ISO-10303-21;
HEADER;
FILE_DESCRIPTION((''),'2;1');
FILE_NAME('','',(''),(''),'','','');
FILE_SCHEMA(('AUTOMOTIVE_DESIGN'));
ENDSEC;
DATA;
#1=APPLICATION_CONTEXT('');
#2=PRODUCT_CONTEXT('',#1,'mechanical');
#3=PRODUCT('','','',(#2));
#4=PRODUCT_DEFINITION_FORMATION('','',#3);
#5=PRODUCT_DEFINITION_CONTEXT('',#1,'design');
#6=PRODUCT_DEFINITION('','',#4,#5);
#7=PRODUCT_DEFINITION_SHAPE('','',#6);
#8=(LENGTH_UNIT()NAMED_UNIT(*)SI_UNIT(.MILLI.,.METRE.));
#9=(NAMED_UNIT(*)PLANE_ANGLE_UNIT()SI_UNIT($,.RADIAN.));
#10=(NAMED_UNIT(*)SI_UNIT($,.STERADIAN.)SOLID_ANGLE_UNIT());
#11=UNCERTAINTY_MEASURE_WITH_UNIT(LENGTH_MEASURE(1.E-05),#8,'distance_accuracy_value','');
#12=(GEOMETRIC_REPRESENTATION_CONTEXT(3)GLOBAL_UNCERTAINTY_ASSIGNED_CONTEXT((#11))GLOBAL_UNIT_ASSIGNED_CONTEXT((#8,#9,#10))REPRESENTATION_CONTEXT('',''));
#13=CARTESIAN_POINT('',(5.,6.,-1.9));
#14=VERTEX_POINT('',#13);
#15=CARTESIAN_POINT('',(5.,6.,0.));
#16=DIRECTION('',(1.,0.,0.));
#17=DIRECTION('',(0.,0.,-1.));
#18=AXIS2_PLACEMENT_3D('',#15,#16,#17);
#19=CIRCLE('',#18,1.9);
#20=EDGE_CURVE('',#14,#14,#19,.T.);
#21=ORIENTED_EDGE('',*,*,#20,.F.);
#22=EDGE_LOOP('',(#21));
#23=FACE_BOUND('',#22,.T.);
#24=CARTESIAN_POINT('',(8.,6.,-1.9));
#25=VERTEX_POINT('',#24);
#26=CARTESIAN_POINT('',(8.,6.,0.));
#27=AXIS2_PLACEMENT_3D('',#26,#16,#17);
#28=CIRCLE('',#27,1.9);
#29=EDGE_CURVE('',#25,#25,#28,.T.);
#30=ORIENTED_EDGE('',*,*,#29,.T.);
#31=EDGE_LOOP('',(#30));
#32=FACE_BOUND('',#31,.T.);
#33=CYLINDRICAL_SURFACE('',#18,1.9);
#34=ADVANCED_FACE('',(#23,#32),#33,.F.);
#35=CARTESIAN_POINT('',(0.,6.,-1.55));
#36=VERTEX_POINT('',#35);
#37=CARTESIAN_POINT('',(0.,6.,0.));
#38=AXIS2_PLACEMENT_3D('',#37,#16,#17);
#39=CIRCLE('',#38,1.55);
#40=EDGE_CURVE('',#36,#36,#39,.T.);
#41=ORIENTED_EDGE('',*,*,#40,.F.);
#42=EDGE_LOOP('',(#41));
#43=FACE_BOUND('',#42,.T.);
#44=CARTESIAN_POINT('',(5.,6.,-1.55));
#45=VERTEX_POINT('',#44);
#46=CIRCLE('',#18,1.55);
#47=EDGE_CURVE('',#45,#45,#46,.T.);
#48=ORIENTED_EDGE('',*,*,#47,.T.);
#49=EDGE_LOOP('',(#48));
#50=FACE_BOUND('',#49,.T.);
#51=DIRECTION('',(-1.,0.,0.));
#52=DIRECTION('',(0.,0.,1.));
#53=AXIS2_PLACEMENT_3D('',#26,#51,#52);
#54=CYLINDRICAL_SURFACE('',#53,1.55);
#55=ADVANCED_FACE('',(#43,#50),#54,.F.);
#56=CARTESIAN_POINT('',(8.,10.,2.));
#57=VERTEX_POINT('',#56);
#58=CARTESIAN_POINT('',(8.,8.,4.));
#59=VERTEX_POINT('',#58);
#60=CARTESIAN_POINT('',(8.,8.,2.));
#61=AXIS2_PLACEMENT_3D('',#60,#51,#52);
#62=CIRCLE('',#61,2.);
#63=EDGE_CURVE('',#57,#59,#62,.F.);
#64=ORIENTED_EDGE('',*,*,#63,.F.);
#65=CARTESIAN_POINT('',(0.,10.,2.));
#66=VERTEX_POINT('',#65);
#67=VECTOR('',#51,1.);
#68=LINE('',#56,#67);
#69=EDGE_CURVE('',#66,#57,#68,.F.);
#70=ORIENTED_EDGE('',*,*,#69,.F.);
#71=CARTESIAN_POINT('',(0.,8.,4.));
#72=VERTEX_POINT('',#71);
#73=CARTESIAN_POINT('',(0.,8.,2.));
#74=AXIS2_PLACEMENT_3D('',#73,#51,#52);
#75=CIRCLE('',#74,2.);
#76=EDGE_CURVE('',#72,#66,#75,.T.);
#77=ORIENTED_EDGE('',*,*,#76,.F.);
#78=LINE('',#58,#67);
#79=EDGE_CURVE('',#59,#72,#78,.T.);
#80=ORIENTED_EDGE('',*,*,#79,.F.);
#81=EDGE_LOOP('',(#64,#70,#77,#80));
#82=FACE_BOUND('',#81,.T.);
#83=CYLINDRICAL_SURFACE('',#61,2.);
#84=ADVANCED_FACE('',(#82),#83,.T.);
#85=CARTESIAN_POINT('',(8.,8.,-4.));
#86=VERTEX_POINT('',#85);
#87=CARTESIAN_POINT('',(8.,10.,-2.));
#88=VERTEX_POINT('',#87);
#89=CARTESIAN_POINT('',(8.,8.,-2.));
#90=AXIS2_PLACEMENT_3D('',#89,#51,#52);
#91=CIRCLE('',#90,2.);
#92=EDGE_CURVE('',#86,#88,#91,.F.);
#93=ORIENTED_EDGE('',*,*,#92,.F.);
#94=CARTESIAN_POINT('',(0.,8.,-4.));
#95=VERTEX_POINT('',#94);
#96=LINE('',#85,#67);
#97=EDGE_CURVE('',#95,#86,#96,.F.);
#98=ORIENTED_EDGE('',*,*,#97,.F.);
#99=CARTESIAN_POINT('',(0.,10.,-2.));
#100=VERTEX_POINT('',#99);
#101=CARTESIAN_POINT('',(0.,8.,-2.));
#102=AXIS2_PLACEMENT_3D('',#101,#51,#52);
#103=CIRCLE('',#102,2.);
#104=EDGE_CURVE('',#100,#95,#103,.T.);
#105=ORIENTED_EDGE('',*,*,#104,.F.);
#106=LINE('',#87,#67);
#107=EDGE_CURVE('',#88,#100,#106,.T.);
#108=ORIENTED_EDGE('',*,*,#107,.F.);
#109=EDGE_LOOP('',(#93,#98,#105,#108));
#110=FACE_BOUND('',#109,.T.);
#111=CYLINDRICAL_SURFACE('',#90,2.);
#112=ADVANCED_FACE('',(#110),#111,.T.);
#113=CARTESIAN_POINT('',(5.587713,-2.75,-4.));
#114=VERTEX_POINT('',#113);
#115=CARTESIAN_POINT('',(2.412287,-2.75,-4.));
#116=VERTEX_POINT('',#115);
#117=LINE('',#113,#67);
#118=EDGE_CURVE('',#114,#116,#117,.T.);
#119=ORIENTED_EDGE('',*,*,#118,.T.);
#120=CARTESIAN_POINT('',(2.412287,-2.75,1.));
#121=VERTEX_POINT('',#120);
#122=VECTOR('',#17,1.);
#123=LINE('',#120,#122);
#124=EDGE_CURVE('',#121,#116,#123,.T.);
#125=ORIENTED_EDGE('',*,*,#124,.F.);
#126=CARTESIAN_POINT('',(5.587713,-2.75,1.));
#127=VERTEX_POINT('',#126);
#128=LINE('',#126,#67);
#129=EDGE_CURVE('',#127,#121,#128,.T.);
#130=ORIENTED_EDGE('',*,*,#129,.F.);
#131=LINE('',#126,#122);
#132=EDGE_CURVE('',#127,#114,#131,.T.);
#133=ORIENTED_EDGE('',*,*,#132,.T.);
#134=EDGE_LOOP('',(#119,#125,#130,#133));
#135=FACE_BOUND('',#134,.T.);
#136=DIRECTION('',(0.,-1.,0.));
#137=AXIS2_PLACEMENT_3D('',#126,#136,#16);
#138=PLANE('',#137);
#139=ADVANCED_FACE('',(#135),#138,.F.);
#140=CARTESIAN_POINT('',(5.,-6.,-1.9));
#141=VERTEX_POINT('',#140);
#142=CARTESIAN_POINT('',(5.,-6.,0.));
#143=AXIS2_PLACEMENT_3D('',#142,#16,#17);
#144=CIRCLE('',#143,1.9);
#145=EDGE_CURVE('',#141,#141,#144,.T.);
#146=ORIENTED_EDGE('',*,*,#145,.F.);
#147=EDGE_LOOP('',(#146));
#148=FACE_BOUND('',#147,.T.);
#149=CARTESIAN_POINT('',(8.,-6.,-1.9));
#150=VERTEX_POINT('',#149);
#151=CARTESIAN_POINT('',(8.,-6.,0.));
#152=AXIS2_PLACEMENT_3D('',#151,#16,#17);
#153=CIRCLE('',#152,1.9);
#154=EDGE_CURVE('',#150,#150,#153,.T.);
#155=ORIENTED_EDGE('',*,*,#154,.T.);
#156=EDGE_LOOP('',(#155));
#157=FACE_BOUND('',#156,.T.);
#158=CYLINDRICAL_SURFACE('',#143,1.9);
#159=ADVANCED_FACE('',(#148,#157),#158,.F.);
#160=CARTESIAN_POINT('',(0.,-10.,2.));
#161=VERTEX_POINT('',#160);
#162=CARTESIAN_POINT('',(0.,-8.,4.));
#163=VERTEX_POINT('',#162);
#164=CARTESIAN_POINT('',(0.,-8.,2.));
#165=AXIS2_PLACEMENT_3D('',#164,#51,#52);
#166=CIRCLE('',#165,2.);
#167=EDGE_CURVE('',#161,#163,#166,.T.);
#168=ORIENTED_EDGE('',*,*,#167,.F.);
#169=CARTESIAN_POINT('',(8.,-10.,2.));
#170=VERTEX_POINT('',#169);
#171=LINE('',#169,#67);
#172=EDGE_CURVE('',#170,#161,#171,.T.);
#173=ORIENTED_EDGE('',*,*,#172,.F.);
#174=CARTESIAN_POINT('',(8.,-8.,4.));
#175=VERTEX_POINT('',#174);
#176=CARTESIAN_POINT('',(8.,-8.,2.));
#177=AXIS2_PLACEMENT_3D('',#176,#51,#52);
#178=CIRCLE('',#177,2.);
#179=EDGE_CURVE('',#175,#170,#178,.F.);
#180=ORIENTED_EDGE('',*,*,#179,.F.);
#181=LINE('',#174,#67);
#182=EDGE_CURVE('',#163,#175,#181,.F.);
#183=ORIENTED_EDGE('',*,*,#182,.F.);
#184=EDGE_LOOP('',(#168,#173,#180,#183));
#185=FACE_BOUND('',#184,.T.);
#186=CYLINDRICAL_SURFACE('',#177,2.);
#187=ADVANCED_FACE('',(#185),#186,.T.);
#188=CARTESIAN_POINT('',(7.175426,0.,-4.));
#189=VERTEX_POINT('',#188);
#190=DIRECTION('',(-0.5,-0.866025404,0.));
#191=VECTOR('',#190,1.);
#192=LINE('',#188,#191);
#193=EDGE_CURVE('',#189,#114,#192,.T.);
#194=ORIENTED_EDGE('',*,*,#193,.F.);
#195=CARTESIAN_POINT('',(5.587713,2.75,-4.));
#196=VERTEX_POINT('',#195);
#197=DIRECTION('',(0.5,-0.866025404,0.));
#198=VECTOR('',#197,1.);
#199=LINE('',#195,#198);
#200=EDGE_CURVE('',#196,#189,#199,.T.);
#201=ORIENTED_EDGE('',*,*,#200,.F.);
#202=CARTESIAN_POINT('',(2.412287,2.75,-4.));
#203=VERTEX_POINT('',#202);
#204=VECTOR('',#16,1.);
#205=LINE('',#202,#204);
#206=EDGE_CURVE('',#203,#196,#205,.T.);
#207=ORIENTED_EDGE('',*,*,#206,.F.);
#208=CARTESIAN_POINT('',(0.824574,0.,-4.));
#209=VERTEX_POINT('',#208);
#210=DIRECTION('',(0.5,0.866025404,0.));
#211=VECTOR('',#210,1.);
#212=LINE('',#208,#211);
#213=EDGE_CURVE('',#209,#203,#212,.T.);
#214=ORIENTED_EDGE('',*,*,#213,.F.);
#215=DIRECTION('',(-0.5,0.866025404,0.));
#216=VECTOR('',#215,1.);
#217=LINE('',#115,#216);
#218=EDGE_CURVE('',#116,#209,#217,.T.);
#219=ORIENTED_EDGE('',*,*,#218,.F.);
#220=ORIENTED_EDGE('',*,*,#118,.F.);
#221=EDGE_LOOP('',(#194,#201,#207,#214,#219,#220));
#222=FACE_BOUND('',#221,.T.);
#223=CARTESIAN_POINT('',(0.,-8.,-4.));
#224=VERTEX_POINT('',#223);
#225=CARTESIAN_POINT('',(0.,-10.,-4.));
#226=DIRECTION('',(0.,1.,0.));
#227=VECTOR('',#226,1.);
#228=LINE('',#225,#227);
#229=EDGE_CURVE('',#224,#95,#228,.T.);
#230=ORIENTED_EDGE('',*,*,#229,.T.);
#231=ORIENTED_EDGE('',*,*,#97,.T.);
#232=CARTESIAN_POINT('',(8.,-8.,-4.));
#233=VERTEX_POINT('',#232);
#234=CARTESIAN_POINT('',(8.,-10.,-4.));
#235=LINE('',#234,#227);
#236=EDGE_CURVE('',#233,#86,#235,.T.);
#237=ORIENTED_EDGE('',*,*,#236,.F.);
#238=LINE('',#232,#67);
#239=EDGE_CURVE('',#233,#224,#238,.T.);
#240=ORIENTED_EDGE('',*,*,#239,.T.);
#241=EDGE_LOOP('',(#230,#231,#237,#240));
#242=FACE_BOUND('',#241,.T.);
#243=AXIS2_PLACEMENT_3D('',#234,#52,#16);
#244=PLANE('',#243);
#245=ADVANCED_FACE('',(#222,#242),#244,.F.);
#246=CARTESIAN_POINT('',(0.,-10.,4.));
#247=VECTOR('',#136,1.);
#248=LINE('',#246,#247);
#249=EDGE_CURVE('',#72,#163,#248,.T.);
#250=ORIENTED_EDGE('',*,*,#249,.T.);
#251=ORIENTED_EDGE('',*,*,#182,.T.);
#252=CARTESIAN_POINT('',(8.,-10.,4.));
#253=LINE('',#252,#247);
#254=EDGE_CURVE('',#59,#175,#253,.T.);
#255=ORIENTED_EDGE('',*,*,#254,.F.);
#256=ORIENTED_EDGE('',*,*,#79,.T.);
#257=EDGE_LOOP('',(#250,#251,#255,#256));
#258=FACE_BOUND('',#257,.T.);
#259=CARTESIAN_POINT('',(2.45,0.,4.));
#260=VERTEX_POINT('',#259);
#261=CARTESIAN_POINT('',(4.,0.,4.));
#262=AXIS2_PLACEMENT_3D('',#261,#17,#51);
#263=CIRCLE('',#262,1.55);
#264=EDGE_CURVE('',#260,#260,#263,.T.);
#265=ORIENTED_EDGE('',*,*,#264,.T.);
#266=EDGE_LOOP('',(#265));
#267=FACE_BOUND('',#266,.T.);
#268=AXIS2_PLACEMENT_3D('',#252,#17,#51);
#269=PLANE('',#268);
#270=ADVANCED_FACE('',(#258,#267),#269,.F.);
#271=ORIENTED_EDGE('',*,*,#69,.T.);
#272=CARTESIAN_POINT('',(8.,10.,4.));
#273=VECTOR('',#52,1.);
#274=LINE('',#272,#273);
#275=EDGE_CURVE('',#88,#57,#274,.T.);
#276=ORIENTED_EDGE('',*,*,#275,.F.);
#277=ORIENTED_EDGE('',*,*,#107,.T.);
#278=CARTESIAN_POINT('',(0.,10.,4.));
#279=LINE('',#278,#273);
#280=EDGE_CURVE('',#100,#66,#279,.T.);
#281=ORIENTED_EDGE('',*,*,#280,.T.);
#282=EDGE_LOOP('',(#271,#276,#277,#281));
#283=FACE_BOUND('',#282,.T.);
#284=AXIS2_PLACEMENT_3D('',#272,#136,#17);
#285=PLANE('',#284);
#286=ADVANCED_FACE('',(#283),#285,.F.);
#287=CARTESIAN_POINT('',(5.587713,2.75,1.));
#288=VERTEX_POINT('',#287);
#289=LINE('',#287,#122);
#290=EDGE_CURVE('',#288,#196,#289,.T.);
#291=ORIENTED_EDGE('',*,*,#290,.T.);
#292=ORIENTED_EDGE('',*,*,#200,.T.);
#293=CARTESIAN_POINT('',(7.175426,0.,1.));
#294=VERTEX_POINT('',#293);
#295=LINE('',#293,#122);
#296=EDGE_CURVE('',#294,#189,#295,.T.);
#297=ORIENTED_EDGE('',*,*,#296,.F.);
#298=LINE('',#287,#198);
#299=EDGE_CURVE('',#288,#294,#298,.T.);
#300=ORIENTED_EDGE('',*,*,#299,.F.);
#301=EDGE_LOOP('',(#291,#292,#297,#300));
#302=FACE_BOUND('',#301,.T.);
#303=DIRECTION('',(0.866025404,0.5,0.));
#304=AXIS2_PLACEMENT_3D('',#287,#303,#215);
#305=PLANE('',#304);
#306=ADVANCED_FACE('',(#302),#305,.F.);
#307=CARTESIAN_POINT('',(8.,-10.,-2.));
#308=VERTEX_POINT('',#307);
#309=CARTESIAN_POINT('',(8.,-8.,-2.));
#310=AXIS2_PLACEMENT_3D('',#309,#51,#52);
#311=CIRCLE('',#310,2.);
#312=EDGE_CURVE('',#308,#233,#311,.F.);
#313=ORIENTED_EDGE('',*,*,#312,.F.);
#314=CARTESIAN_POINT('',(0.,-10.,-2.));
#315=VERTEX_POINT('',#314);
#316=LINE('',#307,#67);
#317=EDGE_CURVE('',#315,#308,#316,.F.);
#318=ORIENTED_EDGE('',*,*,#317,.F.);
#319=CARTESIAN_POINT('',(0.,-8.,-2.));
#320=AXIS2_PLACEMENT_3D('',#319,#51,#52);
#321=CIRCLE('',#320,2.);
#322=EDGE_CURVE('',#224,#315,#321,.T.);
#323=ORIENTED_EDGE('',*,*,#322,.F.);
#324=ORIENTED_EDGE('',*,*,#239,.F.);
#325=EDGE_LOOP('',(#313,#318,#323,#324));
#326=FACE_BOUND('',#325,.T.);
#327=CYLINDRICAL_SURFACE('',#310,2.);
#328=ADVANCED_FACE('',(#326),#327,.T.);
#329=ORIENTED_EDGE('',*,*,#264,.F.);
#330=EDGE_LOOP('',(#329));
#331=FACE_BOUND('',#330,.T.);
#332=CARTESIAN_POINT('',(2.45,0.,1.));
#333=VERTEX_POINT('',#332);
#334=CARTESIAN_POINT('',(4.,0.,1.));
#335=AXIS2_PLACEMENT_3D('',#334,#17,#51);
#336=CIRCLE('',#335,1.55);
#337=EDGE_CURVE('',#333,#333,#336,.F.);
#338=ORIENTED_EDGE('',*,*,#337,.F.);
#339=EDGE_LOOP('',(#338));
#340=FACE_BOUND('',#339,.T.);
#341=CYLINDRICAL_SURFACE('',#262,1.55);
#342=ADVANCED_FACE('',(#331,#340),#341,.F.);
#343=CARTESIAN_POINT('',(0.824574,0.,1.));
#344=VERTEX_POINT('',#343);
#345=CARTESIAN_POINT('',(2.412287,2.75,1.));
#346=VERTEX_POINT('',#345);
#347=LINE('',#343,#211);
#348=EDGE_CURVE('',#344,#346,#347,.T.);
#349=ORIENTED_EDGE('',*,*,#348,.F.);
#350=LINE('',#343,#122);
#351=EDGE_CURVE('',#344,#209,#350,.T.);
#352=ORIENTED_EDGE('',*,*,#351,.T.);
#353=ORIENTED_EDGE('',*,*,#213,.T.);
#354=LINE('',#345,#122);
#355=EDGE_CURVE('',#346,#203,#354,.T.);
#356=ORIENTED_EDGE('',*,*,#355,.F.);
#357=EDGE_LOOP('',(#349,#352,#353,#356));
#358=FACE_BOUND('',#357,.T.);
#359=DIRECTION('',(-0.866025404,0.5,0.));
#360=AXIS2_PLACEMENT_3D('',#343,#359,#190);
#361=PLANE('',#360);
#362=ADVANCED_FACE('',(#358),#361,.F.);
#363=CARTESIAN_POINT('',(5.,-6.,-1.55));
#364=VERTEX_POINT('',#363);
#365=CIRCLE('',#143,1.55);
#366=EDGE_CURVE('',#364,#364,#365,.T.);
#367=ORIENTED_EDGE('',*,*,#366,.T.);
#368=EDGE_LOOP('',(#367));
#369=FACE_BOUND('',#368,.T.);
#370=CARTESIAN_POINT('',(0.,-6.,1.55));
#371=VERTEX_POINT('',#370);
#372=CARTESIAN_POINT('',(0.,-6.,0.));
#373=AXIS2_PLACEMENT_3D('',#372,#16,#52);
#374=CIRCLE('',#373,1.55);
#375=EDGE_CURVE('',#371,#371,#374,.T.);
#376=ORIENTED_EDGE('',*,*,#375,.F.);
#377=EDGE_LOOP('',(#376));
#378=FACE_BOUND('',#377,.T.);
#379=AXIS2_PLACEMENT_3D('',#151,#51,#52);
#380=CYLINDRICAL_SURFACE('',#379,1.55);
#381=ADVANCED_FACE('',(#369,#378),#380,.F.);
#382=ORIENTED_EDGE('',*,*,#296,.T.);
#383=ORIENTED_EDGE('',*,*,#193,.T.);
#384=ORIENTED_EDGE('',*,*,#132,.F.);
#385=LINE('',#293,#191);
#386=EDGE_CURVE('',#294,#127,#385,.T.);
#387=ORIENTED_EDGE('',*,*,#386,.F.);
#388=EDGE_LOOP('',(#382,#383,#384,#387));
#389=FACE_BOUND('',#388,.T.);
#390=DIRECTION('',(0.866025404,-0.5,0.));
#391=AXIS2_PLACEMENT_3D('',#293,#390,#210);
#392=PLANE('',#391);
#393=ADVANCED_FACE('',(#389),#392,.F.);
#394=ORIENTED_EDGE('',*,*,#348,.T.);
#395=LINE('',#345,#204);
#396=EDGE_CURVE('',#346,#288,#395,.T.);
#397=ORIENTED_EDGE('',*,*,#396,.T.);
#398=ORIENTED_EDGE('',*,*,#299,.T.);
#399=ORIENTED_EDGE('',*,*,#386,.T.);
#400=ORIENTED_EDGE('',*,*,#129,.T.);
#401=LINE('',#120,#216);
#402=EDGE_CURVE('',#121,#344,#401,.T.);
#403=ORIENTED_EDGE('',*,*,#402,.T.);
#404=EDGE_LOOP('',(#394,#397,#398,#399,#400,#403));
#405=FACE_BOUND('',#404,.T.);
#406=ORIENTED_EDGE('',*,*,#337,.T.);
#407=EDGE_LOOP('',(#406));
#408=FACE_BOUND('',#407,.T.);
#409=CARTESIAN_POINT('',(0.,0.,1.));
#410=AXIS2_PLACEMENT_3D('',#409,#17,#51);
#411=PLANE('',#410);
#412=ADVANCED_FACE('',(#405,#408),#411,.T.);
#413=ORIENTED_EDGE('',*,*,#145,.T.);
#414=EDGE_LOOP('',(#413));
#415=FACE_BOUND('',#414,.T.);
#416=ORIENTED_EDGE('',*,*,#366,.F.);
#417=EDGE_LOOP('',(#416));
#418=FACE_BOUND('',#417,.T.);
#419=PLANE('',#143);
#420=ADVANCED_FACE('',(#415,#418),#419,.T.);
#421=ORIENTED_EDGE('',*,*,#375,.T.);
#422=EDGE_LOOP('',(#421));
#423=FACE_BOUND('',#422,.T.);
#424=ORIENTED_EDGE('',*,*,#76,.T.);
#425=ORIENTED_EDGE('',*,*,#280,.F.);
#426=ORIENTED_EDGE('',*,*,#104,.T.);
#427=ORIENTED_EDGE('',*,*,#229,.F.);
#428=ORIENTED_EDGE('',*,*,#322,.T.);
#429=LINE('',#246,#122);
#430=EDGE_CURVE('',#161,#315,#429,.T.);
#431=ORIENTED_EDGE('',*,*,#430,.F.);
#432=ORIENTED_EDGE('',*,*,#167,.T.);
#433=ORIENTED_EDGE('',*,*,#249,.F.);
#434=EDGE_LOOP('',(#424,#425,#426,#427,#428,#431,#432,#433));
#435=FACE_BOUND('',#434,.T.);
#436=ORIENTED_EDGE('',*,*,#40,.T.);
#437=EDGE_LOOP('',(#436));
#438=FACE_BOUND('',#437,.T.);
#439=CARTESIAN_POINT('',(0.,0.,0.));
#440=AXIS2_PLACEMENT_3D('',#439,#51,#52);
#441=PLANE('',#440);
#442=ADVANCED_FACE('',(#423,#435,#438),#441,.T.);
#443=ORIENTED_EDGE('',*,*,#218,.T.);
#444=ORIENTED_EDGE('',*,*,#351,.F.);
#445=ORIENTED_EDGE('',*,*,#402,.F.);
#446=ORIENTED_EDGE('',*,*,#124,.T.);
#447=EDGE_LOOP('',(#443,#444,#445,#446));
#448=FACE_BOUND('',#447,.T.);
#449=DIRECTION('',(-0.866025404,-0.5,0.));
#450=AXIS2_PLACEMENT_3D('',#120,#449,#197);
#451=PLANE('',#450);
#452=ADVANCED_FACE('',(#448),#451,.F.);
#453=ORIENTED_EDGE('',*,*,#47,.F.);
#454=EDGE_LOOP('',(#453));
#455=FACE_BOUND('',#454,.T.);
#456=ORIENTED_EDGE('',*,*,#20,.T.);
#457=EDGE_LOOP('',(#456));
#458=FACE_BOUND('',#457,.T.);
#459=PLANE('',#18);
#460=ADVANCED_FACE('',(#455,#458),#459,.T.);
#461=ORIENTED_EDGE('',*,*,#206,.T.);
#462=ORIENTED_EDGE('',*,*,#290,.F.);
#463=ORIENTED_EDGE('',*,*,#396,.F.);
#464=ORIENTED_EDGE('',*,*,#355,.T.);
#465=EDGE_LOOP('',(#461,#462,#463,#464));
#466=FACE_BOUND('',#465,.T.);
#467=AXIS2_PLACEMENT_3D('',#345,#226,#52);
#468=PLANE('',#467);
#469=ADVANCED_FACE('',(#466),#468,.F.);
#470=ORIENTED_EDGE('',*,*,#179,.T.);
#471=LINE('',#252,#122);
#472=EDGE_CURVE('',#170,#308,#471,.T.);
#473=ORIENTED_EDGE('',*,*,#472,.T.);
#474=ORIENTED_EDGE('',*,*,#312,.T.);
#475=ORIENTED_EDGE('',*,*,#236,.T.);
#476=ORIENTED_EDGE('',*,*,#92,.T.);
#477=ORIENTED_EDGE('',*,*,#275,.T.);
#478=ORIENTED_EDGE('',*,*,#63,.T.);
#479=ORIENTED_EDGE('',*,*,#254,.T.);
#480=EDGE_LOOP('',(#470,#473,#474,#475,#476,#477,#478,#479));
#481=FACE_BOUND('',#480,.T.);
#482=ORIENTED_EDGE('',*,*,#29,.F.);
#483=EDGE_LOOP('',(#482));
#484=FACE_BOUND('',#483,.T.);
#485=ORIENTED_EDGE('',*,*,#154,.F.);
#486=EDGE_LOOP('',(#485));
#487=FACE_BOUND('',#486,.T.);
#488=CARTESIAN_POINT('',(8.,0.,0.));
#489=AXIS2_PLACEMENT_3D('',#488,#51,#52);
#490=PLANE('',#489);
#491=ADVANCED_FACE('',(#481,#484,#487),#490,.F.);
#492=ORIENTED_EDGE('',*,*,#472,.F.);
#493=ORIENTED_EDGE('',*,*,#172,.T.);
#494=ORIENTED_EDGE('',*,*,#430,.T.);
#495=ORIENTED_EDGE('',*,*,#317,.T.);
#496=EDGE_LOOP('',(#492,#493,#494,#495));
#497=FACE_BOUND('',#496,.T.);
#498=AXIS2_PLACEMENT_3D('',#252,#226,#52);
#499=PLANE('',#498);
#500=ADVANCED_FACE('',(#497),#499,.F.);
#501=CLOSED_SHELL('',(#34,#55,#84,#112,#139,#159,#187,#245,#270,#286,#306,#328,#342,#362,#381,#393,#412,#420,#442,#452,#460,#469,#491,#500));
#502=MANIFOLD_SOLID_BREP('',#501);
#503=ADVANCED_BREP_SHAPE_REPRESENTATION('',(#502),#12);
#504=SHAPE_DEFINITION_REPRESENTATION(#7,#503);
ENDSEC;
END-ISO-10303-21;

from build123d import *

# Parameters (mm, degrees)
ESQUISSE1_W             = 8
ESQUISSE1_H             = 20
ESQUISSE1_R             = 1.55
BOSS_EXTRU_1_DEPTH      = 8
ESQUISSE2_R             = 1.55
ENL_V_MAT_EXTRU_1_DEPTH = 16.099668871
ESQUISSE3_R             = 1.9
ENL_V_MAT_EXTRU_2_DEPTH = 3
ENL_V_MAT_EXTRU_3_DEPTH = 5
CONG_1_R                = 2


with BuildPart() as part:
    # Esquisse1 → Boss.-Extru.1 (new body)
    with BuildSketch(Plane(origin=(0, 0, 0), x_dir=(0, 0, -1), z_dir=(1, 0, 0))):
        Rectangle(ESQUISSE1_W, ESQUISSE1_H)
        with Locations((0, 6)):
            Circle(ESQUISSE1_R, mode=Mode.SUBTRACT)
        with Locations(Location((0, -6, 0), (0, 0, 180))):
            Circle(ESQUISSE1_R, mode=Mode.SUBTRACT)
    extrude(amount=BOSS_EXTRU_1_DEPTH)

    # Esquisse2 → Enlèv. mat.-Extru.1 (cut, through all)
    with BuildSketch(Plane(origin=(0, 0, -4), x_dir=(-1, 0, 0), z_dir=(0, 0, -1))):
        with Locations((-4, 0)):
            Circle(ESQUISSE2_R)
    extrude(amount=-ENL_V_MAT_EXTRU_1_DEPTH, mode=Mode.SUBTRACT)

    # Esquisse3 → Enlèv. mat.-Extru.2 (cut)
    with BuildSketch(Plane(origin=(8, 0, 0), x_dir=(0, 0, -1), z_dir=(1, 0, 0))):
        with Locations((0, 6)):
            Circle(ESQUISSE3_R)
        with Locations((0, -6)):
            Circle(ESQUISSE3_R)
    extrude(amount=-ENL_V_MAT_EXTRU_2_DEPTH, mode=Mode.SUBTRACT)

    # Esquisse4 → Enlèv. mat.-Extru.3 (cut)
    with BuildSketch(Plane(origin=(0, 0, -4), x_dir=(-1, 0, 0), z_dir=(0, 0, -1))):
        Polygon((-5.58771324, 2.75), (-7.175426481, 0), (-5.58771324, -2.75), (-2.41228676, -2.75), (-0.824573519, 0), (-2.41228676, 2.75), align=None)
    extrude(amount=-ENL_V_MAT_EXTRU_3_DEPTH, mode=Mode.SUBTRACT)

    # Congé1
    cong_1_edges = [part.edges().sort_by_distance(p)[0] for p in [
        (4, -10, -4),
        (4, -10, 4),
        (4, 10, 4),
        (4, 10, -4),
    ]]
    fillet(cong_1_edges, radius=CONG_1_R)


solid = part.part
